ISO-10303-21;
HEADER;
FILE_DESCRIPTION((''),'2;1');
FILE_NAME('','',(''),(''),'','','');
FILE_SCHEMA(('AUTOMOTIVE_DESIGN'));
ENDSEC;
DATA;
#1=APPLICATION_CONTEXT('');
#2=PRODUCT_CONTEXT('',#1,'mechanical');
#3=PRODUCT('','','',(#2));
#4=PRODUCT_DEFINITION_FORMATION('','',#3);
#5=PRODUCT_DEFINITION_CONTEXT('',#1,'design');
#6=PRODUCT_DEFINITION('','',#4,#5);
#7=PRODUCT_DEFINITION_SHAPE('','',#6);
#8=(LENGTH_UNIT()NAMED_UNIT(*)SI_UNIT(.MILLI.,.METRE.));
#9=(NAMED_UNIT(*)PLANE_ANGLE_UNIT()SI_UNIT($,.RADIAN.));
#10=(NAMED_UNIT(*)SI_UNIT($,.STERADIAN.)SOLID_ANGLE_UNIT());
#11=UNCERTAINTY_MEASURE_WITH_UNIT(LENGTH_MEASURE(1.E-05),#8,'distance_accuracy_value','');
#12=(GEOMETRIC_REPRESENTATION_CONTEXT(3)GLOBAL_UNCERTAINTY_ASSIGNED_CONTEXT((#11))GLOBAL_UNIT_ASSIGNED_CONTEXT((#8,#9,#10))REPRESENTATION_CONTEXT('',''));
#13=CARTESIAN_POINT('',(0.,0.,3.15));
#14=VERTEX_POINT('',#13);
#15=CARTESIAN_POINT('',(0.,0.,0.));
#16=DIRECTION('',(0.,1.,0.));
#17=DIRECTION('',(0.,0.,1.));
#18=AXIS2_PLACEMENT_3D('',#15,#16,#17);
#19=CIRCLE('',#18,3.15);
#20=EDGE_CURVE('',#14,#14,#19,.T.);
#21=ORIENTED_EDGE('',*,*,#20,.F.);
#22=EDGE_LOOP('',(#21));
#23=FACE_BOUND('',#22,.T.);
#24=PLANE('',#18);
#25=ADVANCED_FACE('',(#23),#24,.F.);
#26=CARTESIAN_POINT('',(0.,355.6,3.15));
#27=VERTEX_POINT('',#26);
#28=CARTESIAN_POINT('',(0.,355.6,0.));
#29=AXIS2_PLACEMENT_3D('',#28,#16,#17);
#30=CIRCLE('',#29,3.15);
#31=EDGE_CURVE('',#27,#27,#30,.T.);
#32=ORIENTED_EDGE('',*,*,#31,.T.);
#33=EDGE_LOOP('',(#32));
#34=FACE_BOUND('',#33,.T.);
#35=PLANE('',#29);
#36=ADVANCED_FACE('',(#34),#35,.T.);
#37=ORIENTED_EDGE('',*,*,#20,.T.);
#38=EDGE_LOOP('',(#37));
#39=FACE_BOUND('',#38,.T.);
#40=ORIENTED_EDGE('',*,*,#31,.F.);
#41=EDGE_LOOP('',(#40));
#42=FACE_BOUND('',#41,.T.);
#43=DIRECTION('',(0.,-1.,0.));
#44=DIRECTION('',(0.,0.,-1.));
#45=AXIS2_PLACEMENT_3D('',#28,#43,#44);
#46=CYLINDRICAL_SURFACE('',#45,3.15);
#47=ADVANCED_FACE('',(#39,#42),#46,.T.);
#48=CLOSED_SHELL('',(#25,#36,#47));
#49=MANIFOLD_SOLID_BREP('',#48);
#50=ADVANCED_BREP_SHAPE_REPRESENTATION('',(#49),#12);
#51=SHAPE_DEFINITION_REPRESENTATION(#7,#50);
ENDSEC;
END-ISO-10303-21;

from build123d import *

# Parameters (mm, degrees)
SKETCH1_R        = 3.15
EXTRUSION1_DEPTH = 355.6


with BuildPart() as part:
    # Sketch1 → Extrusion1 (new body)
    with BuildSketch(Plane(origin=(0, 0, 0), x_dir=(-1, 0, 0), z_dir=(0, 1, 0))):
        with Locations(Location((0, 0, 0), (0, 0, 90))):
            Circle(SKETCH1_R)
    extrude(amount=EXTRUSION1_DEPTH)


solid = part.part
